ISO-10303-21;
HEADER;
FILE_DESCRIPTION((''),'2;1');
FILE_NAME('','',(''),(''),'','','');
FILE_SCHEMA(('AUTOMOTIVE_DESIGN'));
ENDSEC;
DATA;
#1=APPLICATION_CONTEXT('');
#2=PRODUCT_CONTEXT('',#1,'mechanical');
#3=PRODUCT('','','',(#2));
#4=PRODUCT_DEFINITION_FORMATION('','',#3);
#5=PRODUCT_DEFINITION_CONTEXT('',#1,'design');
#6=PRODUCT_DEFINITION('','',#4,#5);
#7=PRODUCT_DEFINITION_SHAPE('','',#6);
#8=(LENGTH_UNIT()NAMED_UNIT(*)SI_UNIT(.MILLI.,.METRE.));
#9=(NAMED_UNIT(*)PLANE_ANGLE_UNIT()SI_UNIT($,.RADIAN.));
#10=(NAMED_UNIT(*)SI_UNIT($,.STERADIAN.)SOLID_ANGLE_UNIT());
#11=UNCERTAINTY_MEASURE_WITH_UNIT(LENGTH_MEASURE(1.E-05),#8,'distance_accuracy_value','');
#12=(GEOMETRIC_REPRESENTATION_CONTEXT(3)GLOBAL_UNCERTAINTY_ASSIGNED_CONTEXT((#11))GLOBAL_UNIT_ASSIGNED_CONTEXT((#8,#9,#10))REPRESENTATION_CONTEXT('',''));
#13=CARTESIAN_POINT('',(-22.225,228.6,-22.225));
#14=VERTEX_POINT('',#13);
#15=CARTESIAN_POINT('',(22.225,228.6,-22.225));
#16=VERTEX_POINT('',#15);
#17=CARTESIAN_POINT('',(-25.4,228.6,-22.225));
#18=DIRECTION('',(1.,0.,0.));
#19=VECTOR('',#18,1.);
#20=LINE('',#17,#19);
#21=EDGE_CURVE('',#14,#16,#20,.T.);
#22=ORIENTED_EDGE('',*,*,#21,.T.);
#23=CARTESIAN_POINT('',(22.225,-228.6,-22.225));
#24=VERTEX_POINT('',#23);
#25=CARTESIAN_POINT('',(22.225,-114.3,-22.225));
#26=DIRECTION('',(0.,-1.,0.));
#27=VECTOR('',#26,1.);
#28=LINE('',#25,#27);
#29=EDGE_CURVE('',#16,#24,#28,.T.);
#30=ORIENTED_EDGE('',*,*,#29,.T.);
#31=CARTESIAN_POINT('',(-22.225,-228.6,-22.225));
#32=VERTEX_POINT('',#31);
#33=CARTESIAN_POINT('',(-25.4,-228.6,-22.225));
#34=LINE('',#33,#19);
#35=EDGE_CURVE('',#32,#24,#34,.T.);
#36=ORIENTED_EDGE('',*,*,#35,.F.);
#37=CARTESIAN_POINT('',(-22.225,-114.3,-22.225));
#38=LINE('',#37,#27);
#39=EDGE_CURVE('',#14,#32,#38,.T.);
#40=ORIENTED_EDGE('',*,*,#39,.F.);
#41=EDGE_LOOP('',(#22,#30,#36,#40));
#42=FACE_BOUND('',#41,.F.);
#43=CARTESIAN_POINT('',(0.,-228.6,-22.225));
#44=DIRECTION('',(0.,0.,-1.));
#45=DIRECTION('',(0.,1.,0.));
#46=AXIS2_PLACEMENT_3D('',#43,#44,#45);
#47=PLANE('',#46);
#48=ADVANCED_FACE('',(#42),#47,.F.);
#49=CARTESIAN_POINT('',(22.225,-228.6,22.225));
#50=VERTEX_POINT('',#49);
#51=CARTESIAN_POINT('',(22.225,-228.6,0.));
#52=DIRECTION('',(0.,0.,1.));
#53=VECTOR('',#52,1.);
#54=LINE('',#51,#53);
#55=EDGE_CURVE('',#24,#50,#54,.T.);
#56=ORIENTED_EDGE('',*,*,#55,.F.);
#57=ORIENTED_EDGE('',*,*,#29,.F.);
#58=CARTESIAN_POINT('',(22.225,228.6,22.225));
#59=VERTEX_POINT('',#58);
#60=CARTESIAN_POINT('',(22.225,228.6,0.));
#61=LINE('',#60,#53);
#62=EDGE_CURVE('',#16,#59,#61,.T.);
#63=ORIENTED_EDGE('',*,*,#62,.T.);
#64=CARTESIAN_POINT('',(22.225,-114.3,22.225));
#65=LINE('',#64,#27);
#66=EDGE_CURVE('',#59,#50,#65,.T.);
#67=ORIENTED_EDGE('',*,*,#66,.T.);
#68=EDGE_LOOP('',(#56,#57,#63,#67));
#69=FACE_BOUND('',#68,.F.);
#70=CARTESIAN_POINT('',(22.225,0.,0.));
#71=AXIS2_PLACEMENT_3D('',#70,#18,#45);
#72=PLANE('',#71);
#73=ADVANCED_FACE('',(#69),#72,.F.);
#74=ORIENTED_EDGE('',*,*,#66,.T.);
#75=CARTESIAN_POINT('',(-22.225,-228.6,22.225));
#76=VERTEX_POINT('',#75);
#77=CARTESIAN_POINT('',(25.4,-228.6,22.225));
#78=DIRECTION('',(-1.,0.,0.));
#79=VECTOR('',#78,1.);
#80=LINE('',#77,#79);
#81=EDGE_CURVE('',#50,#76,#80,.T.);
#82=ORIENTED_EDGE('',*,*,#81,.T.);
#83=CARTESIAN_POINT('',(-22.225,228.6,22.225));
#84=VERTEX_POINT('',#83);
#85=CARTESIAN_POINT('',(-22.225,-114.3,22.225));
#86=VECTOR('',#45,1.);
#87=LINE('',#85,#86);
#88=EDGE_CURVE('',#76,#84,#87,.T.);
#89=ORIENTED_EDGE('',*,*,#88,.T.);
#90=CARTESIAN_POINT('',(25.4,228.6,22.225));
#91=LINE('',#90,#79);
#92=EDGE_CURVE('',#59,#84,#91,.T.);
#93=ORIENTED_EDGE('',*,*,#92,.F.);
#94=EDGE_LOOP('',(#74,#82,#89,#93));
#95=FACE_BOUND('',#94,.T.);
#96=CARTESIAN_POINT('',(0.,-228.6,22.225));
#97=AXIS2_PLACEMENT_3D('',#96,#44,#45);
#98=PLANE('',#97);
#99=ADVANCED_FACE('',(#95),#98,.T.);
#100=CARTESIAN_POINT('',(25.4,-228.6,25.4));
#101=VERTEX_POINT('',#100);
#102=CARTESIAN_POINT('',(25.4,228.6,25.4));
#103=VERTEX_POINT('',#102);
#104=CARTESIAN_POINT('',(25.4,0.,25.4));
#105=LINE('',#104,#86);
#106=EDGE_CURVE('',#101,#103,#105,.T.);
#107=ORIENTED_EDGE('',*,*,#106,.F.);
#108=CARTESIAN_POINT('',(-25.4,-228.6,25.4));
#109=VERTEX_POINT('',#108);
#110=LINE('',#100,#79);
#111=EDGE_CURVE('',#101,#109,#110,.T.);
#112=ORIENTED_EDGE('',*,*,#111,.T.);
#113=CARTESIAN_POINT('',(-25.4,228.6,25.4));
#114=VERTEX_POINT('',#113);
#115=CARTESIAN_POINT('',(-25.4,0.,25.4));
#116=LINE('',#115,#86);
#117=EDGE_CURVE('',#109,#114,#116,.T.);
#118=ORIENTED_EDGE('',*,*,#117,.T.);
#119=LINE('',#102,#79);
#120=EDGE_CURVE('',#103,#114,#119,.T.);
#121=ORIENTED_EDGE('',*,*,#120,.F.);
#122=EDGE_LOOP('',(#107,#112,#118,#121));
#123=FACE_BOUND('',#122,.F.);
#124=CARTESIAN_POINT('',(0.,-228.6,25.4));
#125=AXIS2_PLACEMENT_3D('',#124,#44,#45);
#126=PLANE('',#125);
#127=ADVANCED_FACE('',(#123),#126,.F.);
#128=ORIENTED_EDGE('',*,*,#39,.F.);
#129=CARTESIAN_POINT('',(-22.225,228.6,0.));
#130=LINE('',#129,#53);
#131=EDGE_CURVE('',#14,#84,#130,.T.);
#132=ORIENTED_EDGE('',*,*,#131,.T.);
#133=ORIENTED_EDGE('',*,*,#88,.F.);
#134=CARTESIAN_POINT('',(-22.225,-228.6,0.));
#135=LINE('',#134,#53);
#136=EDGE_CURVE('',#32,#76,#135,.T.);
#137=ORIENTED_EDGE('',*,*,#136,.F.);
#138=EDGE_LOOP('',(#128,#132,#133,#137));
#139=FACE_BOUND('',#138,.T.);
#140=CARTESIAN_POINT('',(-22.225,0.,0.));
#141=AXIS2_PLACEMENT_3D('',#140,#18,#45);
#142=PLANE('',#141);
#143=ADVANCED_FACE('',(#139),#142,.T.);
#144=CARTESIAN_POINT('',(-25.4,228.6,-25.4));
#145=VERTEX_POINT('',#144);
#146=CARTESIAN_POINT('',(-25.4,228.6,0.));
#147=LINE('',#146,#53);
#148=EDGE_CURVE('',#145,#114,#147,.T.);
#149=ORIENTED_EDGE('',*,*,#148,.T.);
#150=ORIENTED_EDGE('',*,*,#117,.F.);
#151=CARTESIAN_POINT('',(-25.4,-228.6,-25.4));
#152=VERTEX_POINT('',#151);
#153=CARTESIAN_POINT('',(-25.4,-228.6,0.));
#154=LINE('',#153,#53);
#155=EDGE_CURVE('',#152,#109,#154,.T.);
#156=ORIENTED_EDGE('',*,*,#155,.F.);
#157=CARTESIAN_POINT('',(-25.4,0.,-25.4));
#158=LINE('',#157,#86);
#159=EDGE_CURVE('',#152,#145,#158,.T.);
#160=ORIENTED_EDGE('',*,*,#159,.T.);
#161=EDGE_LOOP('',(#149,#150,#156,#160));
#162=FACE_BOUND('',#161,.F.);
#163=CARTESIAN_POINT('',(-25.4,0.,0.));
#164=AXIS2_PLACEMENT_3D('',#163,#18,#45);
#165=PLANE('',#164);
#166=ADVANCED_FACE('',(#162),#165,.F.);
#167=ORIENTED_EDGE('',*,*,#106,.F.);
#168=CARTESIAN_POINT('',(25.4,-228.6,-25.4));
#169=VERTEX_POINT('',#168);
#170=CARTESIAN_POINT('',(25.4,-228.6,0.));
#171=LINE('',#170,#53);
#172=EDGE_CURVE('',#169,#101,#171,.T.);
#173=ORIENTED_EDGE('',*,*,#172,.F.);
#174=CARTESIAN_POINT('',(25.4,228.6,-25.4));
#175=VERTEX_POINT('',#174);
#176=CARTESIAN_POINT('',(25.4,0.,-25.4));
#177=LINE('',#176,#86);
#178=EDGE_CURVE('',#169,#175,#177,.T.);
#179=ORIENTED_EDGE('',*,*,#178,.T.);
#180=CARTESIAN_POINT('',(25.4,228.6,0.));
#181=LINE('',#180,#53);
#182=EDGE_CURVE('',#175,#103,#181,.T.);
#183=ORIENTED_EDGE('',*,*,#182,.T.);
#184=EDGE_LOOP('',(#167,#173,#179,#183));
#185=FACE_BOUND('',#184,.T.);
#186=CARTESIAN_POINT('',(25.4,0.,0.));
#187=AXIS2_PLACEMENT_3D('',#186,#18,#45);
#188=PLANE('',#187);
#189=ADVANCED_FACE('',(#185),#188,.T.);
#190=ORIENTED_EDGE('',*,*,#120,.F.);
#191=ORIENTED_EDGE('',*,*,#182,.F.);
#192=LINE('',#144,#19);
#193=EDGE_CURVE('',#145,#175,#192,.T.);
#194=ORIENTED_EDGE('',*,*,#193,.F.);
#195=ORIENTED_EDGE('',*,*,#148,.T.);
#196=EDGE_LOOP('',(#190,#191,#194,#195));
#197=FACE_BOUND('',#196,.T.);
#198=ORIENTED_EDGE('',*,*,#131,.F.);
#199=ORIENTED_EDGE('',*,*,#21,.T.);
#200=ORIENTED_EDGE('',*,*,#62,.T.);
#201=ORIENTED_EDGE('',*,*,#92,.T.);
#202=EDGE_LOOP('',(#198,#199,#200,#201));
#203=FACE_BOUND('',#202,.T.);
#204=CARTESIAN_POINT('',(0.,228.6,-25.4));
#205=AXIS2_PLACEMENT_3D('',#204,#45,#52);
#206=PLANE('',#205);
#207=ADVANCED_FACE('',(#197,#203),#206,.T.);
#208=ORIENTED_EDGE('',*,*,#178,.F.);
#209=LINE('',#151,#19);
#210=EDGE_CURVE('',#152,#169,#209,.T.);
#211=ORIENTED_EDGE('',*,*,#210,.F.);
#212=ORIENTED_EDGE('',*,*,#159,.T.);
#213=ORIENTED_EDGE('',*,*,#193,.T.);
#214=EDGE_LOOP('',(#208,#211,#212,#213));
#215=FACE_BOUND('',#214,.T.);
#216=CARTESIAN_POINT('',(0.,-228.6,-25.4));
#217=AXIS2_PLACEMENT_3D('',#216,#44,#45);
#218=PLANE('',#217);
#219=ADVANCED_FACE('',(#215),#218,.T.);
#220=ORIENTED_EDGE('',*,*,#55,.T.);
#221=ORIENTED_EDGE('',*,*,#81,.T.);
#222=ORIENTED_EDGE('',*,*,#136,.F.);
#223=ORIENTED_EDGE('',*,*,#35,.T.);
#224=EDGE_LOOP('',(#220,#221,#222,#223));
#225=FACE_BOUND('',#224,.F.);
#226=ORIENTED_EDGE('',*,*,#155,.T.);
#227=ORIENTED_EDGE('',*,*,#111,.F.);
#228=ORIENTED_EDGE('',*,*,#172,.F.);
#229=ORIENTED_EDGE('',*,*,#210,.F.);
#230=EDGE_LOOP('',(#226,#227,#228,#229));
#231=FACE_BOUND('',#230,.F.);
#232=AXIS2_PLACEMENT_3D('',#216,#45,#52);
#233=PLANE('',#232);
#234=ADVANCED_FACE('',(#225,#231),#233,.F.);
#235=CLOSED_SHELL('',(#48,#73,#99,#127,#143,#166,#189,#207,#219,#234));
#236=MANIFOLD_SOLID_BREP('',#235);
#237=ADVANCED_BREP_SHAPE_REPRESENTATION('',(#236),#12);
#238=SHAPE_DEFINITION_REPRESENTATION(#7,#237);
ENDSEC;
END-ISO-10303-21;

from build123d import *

# Parameters (mm, degrees)
F0_W     = 457.2
F0_H     = 50.8
F1_DEPTH = 25.4
F2_T     = -3.175


with BuildPart() as f1:
    # F0 (on Right) → F1 (new body, symmetric)
    with BuildSketch(Plane.YZ):
        Rectangle(F0_W, F0_H)
    extrude(amount=F1_DEPTH, both=True)

    # F2
    f2_openings = [f1.faces().sort_by_distance(p)[0] for p in [
        (0, -228.6, 0),
        (0, 228.6, 0),
    ]]
    offset(amount=F2_T, openings=f2_openings)


solid = f1.part
